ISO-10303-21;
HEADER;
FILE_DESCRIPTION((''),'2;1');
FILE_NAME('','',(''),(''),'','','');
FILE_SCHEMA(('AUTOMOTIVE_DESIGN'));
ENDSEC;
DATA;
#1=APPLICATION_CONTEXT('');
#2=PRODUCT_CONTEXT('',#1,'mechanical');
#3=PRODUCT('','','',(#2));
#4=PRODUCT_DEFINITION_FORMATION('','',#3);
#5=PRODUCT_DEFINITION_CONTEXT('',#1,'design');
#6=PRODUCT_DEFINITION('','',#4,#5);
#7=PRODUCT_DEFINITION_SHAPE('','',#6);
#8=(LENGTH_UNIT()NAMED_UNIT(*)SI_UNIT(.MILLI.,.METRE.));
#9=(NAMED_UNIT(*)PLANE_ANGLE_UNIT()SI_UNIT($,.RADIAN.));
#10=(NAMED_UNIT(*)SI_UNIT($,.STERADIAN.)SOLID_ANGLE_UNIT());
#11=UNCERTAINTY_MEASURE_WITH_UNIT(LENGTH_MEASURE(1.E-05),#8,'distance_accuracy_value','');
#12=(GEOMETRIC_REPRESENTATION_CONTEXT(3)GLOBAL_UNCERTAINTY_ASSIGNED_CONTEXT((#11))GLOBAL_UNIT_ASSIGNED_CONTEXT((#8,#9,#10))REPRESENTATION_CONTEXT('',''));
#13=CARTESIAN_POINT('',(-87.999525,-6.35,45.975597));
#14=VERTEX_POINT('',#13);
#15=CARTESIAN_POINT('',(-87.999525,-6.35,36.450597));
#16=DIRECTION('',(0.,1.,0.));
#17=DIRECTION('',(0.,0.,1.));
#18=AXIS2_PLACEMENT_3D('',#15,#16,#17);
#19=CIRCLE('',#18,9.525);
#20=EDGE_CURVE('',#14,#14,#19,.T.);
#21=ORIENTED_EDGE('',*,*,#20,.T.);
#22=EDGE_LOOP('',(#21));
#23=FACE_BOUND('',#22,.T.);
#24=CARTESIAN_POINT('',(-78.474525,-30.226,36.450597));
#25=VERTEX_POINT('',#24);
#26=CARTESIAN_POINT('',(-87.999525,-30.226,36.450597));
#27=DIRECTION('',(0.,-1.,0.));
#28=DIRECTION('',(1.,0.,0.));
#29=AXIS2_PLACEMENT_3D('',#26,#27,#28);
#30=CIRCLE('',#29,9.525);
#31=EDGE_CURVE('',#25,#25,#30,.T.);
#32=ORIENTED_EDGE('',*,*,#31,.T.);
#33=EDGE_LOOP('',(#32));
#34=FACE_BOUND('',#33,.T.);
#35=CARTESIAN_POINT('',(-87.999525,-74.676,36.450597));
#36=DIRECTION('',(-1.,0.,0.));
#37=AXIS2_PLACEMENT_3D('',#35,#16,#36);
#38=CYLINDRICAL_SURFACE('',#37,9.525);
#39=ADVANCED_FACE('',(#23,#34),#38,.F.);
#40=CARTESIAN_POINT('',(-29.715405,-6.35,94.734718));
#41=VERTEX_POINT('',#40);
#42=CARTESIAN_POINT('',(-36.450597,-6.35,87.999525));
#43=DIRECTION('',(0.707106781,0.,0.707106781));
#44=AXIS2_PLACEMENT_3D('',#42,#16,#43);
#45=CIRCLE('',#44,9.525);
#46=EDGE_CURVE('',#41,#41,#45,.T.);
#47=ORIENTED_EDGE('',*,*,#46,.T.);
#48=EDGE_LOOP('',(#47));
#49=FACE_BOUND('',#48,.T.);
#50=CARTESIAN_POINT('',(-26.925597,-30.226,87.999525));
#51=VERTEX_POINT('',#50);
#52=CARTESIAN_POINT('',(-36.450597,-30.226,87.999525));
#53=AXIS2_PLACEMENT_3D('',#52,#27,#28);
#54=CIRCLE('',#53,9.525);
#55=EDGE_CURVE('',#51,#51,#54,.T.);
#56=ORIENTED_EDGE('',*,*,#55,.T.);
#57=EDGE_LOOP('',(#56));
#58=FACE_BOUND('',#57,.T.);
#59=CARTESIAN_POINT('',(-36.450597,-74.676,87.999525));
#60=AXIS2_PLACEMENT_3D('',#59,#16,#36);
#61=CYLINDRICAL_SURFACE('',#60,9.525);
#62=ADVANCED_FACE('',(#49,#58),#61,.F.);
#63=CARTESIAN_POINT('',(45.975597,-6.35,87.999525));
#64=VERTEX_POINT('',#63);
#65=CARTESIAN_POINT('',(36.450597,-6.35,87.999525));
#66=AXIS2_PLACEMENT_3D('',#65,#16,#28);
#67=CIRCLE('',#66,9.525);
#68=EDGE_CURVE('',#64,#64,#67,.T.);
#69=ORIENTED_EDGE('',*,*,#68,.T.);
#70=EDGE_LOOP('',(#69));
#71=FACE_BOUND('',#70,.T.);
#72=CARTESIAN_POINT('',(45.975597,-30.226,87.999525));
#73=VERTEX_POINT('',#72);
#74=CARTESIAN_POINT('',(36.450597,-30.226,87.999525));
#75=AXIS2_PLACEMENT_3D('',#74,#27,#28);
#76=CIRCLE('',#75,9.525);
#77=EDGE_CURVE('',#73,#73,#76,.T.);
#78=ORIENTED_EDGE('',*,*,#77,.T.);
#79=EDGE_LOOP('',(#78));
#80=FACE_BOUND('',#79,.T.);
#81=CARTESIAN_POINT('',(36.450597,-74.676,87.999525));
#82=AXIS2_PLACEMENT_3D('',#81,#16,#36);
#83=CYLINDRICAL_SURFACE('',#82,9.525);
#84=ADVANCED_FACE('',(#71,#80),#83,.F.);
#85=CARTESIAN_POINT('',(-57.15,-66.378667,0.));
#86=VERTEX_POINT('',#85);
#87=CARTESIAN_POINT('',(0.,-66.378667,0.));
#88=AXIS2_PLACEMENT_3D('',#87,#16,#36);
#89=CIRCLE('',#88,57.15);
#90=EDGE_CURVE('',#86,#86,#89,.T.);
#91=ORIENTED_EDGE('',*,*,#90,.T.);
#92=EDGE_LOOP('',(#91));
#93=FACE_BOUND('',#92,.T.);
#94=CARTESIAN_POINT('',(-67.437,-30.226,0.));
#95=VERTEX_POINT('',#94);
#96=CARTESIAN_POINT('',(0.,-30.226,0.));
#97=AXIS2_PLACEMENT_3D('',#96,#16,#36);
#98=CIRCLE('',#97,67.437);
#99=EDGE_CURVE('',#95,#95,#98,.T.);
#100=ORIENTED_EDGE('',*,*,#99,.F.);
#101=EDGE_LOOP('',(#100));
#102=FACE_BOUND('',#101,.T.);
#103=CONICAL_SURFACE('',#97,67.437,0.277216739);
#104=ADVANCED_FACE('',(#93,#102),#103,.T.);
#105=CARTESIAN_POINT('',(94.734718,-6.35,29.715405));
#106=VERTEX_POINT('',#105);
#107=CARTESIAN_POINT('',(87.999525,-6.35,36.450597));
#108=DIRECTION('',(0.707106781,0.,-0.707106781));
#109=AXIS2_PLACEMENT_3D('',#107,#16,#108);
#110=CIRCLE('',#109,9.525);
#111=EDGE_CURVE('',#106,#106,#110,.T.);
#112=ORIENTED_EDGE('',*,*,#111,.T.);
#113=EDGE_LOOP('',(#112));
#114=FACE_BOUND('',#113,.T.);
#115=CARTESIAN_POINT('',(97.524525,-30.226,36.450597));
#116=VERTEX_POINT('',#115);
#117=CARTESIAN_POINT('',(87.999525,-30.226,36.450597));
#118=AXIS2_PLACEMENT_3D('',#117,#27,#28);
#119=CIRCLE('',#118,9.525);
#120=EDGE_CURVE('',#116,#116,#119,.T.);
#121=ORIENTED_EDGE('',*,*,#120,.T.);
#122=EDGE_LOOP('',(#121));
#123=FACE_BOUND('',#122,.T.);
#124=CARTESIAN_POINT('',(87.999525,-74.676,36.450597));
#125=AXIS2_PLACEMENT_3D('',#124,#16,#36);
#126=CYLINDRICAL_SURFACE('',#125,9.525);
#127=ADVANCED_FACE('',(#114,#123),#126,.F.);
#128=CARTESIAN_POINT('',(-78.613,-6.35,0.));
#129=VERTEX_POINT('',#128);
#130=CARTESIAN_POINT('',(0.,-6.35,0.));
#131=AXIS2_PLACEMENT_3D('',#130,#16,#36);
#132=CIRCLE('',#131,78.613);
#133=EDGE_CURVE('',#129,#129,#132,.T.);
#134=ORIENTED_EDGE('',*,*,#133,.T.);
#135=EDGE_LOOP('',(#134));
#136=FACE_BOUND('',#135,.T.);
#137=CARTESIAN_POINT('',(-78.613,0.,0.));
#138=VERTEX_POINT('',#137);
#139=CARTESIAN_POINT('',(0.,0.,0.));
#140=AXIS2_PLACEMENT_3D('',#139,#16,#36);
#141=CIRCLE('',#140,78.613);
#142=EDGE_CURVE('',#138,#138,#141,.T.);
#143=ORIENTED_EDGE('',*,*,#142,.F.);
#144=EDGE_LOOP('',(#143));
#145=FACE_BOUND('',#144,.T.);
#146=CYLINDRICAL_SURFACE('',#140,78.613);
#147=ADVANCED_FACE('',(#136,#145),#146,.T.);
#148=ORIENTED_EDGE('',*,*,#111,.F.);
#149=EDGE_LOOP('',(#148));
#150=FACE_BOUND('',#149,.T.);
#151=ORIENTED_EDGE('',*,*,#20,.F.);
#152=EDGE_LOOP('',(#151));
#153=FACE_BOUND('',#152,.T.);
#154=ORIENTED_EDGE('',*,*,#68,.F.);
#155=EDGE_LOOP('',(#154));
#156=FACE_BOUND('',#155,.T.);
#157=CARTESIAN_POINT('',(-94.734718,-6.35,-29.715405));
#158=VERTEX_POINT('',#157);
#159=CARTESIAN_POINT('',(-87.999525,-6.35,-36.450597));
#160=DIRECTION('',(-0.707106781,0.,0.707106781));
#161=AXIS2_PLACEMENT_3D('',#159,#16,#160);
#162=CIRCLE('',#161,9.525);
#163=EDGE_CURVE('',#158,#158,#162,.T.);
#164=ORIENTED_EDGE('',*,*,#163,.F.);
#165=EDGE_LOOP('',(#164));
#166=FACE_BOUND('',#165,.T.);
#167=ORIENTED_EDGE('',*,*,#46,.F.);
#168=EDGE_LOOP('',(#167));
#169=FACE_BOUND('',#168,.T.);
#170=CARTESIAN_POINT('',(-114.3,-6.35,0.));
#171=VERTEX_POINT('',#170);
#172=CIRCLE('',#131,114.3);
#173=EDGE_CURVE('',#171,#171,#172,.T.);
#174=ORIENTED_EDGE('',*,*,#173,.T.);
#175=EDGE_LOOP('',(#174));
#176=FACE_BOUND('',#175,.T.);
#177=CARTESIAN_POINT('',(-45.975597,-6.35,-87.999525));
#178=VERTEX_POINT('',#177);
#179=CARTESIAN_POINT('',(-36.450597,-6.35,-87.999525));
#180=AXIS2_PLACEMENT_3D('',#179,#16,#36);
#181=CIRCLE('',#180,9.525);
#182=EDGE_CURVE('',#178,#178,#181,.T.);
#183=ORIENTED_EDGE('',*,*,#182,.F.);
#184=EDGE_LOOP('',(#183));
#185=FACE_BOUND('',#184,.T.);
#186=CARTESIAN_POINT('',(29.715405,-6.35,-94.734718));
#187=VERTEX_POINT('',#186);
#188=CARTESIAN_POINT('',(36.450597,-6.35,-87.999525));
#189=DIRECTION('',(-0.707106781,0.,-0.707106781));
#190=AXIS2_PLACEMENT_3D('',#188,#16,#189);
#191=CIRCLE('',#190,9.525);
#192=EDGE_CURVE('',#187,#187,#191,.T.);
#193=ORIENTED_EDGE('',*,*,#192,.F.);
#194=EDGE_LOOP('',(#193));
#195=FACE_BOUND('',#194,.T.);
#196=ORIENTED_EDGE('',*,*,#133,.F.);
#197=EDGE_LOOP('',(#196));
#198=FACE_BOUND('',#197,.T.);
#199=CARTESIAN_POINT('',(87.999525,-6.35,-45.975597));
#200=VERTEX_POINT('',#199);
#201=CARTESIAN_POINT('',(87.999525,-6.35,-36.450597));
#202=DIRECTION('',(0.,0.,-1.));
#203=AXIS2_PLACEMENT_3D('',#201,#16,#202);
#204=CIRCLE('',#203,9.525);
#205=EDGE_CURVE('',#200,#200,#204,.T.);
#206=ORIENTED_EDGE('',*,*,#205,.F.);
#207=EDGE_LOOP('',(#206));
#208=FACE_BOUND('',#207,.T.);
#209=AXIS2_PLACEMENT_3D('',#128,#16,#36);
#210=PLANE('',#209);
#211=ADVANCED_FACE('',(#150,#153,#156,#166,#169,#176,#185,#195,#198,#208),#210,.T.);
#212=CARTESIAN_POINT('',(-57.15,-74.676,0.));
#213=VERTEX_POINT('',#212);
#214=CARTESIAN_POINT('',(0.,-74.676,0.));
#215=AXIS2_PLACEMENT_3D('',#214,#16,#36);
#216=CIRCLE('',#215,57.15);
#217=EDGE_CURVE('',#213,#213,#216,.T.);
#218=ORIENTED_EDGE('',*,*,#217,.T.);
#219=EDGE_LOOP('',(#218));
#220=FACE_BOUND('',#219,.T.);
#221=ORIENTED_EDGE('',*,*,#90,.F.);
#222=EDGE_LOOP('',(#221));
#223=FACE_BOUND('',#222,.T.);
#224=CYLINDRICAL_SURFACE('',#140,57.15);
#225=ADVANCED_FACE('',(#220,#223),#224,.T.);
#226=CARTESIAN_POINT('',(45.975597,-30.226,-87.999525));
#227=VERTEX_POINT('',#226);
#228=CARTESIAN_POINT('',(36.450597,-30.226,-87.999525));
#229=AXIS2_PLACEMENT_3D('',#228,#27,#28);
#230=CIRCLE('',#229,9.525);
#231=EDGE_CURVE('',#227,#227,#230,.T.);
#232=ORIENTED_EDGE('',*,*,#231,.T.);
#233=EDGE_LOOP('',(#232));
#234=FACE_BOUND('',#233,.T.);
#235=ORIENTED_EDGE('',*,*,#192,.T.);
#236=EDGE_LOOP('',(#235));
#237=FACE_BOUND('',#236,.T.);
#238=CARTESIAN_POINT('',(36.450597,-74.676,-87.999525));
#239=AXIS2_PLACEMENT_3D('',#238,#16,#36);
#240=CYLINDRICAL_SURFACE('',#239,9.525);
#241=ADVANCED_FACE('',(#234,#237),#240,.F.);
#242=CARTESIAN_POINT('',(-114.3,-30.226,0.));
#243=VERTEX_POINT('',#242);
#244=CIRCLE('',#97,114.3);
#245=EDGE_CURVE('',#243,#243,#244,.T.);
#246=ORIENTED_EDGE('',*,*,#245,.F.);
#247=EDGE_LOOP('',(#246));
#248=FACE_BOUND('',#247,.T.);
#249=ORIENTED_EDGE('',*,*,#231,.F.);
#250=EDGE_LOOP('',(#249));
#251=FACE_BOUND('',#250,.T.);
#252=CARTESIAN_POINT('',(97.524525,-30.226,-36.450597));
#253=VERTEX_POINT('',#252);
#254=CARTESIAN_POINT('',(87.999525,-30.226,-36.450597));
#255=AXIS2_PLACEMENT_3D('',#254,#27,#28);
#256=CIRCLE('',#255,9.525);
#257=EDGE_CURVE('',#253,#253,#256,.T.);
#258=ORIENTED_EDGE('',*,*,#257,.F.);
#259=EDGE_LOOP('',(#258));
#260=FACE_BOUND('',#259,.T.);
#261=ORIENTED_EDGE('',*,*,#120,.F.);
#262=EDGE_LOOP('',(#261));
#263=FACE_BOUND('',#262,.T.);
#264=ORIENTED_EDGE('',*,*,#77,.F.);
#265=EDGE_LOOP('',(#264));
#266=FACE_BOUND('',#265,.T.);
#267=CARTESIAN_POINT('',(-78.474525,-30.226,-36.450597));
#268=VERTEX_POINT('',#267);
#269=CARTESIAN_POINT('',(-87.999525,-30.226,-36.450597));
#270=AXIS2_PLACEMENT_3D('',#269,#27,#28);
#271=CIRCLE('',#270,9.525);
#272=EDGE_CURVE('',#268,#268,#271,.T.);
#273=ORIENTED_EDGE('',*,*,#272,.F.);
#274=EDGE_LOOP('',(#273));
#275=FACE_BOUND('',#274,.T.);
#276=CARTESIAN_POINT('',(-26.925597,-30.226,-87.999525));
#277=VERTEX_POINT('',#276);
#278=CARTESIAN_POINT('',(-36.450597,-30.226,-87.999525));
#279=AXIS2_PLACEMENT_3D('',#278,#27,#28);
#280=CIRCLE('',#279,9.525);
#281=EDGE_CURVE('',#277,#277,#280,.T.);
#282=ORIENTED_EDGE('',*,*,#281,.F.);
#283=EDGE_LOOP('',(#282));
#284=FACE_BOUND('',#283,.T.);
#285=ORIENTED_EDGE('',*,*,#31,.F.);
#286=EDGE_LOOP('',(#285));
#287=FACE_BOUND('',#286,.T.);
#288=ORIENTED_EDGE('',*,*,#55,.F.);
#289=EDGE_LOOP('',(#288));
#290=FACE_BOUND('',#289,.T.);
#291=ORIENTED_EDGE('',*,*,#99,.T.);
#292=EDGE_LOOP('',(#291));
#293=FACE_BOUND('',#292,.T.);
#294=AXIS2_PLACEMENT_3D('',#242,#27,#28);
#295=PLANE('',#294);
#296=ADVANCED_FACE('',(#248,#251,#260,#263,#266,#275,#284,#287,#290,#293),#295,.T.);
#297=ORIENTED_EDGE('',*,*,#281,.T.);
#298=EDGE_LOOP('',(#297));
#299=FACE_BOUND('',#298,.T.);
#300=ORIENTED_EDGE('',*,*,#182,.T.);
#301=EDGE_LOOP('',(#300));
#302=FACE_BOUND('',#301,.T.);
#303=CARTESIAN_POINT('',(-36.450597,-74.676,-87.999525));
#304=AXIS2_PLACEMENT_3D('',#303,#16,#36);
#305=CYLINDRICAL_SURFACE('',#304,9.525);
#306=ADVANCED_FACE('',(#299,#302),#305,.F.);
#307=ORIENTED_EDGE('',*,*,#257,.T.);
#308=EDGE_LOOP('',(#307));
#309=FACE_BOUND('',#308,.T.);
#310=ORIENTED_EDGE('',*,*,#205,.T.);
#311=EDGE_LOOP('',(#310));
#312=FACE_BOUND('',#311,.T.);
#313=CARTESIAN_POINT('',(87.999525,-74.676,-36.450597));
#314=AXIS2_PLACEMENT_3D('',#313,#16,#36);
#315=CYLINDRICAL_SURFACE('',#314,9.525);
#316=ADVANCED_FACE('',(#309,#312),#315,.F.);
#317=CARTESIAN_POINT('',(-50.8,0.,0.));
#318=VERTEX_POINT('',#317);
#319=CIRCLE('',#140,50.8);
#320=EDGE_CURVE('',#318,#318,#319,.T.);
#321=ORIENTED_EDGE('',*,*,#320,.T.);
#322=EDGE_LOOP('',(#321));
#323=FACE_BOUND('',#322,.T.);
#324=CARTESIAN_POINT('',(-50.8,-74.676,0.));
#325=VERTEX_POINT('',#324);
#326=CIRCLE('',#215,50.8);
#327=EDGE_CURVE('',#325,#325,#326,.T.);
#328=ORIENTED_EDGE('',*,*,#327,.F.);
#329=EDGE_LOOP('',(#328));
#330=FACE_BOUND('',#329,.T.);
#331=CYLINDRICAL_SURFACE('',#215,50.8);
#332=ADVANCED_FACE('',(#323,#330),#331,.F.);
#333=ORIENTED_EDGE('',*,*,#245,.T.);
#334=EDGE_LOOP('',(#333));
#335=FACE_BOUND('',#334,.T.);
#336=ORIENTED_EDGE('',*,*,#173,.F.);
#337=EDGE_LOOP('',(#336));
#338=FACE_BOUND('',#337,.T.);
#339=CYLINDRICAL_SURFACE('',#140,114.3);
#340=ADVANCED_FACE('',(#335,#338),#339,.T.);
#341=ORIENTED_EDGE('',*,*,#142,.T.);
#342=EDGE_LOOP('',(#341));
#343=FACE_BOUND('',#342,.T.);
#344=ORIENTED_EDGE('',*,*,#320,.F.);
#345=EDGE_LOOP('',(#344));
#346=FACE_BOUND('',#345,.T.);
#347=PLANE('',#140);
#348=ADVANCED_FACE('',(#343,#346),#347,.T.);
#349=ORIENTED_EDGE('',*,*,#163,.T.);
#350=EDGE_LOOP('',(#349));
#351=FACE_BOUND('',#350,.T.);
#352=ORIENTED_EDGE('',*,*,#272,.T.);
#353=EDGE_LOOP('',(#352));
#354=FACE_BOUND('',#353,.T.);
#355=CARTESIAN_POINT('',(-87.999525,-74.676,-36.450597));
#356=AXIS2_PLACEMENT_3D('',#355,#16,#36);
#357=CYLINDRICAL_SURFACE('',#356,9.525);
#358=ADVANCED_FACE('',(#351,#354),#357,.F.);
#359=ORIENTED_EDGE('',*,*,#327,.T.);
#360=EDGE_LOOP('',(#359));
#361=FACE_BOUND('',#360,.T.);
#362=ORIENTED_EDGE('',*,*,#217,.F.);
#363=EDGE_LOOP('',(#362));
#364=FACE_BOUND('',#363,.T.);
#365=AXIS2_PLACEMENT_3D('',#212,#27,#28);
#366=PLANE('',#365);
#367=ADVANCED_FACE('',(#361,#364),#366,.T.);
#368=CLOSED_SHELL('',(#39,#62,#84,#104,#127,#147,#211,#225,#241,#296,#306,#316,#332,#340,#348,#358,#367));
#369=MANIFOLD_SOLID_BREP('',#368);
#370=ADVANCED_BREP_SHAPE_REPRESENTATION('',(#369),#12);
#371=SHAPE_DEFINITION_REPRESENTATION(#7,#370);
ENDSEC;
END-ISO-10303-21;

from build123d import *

# Parameters (mm, degrees)
BORESKETCH_R       = 50.8
BORE_DEPTH         = 75.676
SKETCH3_R          = 9.525
BOLT_HOLE_DEPTH    = 69.326
BOLT_PATTERN_COUNT = 8


with BuildPart() as part:
    # Main → Revolve1 (revolve)
    with BuildSketch(Plane.XY):
        Polygon((0, 0), (-78.613, 0), (-78.613, -6.35), (-114.3, -6.35), (-114.3, -30.226), (-67.437, -30.226), (-57.15, -66.378666667), (-57.15, -74.676), (0, -74.676), align=None)
    revolve(axis=Axis((0, 0, 0), (0, -1, 0)))

    # BoreSketch → Bore (cut, through all)
    with BuildSketch(Plane(origin=(0, 0, 0), x_dir=(1, 0, 0), z_dir=(0, 1, 0))):
        Circle(BORESKETCH_R)
    extrude(amount=-BORE_DEPTH, mode=Mode.SUBTRACT)

    # Sketch3 → Bolt Hole (cut, through all)
    with BuildSketch(Plane(origin=(0, -6.35, 0), x_dir=(1, 0, 0), z_dir=(0, 1, 0))):
        with Locations((-36.450596933, 87.999525472)):
            Circle(SKETCH3_R)
    bolt_hole = extrude(amount=-BOLT_HOLE_DEPTH, mode=Mode.SUBTRACT)

    # Bolt Pattern: Bolt Hole ×8 about axis
    bolt_pattern_axis = Axis((0, 0, 0), (0, 1, 0))
    for i in range(1, BOLT_PATTERN_COUNT):
        add(bolt_hole.rotate(bolt_pattern_axis, i * 360 / BOLT_PATTERN_COUNT), mode=Mode.SUBTRACT)


solid = part.part
